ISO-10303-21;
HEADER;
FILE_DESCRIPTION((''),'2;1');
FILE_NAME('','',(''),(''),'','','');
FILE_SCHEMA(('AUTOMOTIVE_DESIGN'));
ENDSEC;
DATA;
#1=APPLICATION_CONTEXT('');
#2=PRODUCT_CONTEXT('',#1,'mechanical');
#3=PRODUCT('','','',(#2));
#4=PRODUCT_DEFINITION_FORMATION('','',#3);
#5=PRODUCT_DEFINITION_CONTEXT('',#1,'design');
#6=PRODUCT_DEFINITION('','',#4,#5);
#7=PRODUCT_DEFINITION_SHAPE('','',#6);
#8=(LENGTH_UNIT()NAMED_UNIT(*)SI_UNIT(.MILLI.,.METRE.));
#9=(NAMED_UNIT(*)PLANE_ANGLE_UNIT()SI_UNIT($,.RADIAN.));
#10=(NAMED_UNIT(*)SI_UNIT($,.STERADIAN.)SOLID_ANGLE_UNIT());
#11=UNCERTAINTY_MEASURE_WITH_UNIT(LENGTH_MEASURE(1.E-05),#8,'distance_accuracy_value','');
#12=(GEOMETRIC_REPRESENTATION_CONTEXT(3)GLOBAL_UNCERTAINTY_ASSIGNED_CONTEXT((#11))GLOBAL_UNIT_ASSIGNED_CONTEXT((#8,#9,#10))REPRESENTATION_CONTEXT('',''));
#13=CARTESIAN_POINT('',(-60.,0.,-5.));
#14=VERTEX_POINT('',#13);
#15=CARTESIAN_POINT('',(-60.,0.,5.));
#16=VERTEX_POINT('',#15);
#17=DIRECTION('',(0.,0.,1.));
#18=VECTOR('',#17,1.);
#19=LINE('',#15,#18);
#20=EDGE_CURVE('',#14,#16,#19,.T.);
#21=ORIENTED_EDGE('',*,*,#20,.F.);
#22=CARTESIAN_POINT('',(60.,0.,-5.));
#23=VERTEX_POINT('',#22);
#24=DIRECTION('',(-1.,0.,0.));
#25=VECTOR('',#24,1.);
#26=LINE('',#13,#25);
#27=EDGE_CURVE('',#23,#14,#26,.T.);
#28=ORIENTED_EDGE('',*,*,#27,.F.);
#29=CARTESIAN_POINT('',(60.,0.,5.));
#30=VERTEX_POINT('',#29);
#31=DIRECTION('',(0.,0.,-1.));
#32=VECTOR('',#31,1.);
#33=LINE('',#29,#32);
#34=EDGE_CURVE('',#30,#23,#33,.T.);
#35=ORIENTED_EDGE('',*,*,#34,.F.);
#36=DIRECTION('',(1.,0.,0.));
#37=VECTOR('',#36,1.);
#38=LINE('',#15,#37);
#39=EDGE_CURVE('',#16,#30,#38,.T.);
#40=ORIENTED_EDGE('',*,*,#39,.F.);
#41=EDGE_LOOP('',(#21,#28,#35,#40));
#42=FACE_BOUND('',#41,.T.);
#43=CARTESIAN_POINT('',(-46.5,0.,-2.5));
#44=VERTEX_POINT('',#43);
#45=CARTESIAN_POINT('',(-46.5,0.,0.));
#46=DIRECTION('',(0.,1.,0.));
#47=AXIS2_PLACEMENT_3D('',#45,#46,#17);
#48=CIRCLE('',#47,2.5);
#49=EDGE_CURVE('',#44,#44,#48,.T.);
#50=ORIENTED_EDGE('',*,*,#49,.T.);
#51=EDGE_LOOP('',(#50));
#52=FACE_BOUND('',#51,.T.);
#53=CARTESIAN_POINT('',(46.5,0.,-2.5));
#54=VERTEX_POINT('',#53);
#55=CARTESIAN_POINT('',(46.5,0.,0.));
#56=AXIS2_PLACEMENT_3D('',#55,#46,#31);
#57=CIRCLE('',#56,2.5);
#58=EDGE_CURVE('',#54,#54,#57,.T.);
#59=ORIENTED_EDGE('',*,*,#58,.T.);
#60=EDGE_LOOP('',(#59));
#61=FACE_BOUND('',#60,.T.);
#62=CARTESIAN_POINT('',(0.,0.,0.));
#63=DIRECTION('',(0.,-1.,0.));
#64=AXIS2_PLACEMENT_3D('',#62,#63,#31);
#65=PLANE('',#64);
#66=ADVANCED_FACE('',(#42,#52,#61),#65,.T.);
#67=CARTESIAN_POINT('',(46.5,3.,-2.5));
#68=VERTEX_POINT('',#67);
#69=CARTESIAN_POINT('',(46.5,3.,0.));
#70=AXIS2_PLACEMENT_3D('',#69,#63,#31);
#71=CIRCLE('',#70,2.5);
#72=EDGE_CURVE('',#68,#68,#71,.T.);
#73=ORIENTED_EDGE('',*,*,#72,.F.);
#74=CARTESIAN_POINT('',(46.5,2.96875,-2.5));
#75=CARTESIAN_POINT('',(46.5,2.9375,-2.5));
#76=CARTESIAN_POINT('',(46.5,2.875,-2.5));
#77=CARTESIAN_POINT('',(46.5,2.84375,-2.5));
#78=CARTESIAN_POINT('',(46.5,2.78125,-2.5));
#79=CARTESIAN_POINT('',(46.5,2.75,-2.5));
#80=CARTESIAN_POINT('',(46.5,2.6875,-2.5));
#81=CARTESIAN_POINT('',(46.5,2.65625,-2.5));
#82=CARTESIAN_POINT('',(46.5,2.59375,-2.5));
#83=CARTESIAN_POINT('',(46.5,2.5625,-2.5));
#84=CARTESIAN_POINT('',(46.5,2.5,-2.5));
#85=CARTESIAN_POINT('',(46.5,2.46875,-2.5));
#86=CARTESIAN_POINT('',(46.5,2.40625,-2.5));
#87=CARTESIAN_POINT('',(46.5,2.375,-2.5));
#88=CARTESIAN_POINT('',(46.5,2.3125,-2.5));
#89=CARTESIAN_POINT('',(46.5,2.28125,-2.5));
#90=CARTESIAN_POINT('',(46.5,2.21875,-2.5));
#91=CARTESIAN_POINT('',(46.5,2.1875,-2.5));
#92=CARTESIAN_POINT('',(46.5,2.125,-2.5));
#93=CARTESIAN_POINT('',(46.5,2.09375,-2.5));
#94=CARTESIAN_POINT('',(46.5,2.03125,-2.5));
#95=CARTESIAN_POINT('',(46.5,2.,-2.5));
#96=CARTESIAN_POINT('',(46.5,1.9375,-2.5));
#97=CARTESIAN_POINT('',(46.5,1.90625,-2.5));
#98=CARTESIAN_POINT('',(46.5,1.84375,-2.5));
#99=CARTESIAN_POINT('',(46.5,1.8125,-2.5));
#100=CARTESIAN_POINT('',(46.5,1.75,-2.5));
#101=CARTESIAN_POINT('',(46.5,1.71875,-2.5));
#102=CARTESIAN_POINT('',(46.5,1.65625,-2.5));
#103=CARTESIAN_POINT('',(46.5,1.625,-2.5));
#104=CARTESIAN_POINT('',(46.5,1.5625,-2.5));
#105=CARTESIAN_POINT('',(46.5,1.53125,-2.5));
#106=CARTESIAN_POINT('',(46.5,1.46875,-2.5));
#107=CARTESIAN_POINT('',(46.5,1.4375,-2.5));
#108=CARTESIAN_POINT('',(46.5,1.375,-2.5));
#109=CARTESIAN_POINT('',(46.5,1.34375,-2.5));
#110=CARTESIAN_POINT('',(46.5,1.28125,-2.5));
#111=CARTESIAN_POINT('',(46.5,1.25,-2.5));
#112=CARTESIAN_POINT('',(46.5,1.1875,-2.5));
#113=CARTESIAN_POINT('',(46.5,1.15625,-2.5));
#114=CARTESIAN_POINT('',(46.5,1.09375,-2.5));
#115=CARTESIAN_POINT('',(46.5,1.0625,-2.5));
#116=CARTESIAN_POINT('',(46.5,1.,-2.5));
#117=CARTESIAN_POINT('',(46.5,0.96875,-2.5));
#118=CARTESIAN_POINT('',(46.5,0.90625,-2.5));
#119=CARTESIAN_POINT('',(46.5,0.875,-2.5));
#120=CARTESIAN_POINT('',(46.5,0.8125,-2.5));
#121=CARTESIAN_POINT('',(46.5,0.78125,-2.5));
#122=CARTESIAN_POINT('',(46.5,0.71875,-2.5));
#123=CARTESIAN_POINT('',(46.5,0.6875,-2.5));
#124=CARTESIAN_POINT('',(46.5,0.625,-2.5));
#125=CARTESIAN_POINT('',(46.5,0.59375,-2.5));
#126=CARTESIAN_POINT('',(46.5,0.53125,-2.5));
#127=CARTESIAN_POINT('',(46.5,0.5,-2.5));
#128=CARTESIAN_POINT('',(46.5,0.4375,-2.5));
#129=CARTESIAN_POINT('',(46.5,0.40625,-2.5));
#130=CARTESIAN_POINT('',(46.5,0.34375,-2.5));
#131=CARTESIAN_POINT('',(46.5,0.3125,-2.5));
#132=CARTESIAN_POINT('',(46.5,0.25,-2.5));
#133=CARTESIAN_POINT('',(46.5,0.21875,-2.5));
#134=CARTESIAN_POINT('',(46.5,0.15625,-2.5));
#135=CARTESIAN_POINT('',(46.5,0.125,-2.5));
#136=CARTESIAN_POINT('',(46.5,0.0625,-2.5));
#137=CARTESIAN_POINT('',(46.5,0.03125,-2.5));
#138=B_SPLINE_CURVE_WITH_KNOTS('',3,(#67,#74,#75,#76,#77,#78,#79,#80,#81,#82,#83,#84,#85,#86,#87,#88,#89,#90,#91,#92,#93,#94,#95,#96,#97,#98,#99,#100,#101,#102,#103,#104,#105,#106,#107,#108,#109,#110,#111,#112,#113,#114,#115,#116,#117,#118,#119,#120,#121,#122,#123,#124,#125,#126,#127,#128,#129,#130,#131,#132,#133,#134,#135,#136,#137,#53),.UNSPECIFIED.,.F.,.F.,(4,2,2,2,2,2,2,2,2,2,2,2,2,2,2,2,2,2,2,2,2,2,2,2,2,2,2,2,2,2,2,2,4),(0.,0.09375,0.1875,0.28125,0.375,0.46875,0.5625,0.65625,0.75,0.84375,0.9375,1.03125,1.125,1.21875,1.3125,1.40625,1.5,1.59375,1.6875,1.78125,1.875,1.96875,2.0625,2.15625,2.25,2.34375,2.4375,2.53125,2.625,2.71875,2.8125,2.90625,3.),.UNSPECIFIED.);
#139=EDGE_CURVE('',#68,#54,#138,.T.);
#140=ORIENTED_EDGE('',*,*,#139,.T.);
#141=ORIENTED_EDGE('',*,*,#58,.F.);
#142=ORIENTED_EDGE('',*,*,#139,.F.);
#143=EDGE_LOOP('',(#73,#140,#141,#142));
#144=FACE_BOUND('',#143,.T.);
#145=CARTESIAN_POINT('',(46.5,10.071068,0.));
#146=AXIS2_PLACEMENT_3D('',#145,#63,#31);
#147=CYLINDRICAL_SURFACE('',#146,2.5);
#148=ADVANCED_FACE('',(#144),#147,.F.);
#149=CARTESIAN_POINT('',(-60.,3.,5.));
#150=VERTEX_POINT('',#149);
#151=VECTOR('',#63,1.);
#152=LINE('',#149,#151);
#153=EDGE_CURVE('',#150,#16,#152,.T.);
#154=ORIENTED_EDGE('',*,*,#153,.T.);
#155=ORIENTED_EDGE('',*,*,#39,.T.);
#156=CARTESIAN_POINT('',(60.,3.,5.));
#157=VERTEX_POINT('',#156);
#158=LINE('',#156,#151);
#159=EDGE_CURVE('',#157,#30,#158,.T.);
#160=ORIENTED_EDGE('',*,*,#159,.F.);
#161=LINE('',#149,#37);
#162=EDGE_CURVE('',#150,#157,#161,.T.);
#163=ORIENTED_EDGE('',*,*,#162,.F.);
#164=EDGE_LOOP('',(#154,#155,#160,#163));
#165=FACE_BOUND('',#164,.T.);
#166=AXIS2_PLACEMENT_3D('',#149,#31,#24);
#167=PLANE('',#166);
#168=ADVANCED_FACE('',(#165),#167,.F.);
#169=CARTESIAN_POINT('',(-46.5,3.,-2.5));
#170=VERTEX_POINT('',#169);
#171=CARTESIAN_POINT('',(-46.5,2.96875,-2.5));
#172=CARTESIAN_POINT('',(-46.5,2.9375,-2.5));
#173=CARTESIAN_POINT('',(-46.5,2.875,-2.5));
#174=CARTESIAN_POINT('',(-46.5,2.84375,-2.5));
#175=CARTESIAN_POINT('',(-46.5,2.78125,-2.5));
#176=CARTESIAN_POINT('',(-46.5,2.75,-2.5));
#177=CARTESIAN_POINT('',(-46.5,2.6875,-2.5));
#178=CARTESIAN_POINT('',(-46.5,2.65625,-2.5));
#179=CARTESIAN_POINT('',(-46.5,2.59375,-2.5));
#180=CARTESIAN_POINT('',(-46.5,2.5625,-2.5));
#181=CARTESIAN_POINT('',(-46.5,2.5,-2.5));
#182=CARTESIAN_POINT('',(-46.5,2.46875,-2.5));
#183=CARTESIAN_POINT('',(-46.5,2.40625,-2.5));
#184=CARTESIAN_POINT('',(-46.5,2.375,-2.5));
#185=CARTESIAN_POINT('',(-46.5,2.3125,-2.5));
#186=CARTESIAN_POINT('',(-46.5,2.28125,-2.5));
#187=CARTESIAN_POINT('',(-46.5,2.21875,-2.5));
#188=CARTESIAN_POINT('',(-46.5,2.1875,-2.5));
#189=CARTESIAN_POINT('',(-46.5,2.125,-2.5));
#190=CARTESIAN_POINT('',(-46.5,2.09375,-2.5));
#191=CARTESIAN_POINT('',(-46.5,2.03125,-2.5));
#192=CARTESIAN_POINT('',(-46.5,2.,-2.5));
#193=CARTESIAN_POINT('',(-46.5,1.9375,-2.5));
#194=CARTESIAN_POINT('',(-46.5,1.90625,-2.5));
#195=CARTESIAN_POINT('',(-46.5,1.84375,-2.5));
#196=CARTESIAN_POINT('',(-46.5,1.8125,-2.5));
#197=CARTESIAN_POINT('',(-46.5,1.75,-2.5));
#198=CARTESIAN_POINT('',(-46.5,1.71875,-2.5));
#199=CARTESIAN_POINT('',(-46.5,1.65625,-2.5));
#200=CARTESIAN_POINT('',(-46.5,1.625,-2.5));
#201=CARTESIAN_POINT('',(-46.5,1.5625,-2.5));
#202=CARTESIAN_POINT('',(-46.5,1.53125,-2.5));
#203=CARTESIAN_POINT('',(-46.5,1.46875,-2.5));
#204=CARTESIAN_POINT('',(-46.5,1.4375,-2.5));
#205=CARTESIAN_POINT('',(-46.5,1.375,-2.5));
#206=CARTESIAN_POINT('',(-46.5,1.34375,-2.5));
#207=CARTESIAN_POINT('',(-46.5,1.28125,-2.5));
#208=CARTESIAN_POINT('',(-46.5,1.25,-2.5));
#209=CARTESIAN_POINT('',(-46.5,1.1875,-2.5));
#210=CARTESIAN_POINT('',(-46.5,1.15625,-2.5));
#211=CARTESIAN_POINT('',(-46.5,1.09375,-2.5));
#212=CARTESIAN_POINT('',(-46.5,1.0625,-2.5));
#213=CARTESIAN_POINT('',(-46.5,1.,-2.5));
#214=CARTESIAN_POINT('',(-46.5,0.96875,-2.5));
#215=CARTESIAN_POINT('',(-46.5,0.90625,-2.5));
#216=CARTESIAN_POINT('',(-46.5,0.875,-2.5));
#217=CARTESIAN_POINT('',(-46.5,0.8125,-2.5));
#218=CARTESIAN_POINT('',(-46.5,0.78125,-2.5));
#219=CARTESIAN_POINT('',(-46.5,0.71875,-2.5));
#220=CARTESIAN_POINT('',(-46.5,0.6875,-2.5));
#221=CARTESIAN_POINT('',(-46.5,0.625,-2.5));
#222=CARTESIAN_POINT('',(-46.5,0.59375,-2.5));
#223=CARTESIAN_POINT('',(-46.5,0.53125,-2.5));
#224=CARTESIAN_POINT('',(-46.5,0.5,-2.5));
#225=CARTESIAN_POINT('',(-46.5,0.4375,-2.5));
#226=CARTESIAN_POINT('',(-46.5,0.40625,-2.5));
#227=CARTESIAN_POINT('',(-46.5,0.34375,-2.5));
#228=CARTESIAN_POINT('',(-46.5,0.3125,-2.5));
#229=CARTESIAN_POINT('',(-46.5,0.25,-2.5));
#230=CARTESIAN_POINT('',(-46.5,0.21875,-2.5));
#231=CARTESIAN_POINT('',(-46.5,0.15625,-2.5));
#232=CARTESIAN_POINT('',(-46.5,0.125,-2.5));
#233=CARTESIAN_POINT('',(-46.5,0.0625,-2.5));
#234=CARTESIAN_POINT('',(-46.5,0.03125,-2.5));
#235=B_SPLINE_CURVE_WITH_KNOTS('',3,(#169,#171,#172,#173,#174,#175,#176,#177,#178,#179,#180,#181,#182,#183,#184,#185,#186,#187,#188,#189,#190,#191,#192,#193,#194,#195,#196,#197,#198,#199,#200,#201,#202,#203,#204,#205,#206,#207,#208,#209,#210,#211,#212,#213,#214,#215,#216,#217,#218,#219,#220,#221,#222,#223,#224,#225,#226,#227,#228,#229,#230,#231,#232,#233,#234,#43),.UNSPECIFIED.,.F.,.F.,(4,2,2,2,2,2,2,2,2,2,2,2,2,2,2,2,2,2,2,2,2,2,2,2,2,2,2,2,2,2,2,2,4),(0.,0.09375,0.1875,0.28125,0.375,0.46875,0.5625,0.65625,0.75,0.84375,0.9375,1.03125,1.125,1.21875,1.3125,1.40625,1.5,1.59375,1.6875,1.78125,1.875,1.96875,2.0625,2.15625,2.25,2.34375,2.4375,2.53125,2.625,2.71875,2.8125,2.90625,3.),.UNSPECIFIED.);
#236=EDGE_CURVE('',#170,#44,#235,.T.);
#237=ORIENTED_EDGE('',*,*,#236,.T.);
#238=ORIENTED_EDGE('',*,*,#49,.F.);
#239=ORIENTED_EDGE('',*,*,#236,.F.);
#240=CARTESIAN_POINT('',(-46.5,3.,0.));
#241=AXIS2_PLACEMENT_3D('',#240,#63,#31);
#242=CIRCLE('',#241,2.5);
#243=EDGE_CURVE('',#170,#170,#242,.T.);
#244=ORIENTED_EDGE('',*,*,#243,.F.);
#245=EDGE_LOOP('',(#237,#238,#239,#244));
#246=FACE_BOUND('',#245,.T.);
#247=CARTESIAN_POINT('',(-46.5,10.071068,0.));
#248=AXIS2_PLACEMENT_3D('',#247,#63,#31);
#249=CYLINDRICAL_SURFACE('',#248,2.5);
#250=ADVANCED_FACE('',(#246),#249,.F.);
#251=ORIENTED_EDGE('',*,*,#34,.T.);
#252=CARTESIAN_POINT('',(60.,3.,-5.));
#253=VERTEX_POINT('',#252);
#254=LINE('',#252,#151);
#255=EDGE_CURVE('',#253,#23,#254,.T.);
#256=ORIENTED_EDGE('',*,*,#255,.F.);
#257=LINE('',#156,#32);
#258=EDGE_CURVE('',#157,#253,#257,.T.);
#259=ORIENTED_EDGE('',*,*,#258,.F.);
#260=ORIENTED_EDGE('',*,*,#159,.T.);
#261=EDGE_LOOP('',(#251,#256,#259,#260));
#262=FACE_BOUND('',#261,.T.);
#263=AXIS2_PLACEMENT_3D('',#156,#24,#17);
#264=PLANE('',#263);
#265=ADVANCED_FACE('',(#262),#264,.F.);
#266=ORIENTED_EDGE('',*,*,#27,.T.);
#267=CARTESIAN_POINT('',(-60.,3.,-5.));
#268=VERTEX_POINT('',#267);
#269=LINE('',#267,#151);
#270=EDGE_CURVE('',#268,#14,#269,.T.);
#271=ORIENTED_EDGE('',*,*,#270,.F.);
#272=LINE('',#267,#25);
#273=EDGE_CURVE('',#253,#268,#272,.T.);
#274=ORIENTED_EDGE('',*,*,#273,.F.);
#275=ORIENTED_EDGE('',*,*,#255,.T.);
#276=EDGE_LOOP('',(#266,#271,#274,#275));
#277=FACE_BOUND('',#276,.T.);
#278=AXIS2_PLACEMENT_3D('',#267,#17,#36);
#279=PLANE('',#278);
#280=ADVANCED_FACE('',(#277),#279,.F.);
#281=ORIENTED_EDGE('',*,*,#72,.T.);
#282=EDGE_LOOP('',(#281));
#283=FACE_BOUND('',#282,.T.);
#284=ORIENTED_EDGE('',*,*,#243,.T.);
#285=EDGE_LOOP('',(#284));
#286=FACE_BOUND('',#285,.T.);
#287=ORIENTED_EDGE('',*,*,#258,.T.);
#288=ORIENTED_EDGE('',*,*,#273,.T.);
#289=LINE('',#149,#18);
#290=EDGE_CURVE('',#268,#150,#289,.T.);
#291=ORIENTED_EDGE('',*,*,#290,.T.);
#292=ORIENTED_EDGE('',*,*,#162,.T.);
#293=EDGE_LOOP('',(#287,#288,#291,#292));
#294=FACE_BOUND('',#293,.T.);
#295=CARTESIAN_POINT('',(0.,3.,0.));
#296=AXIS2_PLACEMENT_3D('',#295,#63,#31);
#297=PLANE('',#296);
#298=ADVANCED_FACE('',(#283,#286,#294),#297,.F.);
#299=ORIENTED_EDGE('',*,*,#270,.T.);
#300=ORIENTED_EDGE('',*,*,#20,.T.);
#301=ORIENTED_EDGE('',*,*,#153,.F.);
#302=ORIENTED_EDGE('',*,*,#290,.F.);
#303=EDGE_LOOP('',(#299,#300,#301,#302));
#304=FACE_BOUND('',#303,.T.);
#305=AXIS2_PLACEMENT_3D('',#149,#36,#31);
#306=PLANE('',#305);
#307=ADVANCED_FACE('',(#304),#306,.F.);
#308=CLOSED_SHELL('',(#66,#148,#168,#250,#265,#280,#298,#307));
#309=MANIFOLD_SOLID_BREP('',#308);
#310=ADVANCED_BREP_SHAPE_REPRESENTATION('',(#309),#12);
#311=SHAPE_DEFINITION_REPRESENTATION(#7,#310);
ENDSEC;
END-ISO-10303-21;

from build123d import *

# Parameters (mm, degrees)
SKETCH3_W           = 120
SKETCH3_H           = 10
BOSS_EXTRUDE1_DEPTH = 3
SKETCH5_R           = 2.5
CUT_EXTRUDE1_DEPTH  = 3


with BuildPart() as part:
    # Sketch3 → Boss-Extrude1 (new body)
    with BuildSketch(Plane(origin=(0, 0, 0), x_dir=(1, 0, 0), z_dir=(0, 1, 0))):
        Rectangle(SKETCH3_W, SKETCH3_H)
    extrude(amount=BOSS_EXTRUDE1_DEPTH)

    # Sketch5 → Cut-Extrude1 (cut)
    with BuildSketch(Plane(origin=(0, 0, 0), x_dir=(1, 0, 0), z_dir=(0, 1, 0))):
        with Locations(Location((-46.5, 0, 0), (0, 0, 90))):
            Circle(SKETCH5_R)
        with Locations(Location((46.5, 0, 0), (0, 0, 90))):
            Circle(SKETCH5_R)
    extrude(amount=CUT_EXTRUDE1_DEPTH, mode=Mode.SUBTRACT)


solid = part.part
